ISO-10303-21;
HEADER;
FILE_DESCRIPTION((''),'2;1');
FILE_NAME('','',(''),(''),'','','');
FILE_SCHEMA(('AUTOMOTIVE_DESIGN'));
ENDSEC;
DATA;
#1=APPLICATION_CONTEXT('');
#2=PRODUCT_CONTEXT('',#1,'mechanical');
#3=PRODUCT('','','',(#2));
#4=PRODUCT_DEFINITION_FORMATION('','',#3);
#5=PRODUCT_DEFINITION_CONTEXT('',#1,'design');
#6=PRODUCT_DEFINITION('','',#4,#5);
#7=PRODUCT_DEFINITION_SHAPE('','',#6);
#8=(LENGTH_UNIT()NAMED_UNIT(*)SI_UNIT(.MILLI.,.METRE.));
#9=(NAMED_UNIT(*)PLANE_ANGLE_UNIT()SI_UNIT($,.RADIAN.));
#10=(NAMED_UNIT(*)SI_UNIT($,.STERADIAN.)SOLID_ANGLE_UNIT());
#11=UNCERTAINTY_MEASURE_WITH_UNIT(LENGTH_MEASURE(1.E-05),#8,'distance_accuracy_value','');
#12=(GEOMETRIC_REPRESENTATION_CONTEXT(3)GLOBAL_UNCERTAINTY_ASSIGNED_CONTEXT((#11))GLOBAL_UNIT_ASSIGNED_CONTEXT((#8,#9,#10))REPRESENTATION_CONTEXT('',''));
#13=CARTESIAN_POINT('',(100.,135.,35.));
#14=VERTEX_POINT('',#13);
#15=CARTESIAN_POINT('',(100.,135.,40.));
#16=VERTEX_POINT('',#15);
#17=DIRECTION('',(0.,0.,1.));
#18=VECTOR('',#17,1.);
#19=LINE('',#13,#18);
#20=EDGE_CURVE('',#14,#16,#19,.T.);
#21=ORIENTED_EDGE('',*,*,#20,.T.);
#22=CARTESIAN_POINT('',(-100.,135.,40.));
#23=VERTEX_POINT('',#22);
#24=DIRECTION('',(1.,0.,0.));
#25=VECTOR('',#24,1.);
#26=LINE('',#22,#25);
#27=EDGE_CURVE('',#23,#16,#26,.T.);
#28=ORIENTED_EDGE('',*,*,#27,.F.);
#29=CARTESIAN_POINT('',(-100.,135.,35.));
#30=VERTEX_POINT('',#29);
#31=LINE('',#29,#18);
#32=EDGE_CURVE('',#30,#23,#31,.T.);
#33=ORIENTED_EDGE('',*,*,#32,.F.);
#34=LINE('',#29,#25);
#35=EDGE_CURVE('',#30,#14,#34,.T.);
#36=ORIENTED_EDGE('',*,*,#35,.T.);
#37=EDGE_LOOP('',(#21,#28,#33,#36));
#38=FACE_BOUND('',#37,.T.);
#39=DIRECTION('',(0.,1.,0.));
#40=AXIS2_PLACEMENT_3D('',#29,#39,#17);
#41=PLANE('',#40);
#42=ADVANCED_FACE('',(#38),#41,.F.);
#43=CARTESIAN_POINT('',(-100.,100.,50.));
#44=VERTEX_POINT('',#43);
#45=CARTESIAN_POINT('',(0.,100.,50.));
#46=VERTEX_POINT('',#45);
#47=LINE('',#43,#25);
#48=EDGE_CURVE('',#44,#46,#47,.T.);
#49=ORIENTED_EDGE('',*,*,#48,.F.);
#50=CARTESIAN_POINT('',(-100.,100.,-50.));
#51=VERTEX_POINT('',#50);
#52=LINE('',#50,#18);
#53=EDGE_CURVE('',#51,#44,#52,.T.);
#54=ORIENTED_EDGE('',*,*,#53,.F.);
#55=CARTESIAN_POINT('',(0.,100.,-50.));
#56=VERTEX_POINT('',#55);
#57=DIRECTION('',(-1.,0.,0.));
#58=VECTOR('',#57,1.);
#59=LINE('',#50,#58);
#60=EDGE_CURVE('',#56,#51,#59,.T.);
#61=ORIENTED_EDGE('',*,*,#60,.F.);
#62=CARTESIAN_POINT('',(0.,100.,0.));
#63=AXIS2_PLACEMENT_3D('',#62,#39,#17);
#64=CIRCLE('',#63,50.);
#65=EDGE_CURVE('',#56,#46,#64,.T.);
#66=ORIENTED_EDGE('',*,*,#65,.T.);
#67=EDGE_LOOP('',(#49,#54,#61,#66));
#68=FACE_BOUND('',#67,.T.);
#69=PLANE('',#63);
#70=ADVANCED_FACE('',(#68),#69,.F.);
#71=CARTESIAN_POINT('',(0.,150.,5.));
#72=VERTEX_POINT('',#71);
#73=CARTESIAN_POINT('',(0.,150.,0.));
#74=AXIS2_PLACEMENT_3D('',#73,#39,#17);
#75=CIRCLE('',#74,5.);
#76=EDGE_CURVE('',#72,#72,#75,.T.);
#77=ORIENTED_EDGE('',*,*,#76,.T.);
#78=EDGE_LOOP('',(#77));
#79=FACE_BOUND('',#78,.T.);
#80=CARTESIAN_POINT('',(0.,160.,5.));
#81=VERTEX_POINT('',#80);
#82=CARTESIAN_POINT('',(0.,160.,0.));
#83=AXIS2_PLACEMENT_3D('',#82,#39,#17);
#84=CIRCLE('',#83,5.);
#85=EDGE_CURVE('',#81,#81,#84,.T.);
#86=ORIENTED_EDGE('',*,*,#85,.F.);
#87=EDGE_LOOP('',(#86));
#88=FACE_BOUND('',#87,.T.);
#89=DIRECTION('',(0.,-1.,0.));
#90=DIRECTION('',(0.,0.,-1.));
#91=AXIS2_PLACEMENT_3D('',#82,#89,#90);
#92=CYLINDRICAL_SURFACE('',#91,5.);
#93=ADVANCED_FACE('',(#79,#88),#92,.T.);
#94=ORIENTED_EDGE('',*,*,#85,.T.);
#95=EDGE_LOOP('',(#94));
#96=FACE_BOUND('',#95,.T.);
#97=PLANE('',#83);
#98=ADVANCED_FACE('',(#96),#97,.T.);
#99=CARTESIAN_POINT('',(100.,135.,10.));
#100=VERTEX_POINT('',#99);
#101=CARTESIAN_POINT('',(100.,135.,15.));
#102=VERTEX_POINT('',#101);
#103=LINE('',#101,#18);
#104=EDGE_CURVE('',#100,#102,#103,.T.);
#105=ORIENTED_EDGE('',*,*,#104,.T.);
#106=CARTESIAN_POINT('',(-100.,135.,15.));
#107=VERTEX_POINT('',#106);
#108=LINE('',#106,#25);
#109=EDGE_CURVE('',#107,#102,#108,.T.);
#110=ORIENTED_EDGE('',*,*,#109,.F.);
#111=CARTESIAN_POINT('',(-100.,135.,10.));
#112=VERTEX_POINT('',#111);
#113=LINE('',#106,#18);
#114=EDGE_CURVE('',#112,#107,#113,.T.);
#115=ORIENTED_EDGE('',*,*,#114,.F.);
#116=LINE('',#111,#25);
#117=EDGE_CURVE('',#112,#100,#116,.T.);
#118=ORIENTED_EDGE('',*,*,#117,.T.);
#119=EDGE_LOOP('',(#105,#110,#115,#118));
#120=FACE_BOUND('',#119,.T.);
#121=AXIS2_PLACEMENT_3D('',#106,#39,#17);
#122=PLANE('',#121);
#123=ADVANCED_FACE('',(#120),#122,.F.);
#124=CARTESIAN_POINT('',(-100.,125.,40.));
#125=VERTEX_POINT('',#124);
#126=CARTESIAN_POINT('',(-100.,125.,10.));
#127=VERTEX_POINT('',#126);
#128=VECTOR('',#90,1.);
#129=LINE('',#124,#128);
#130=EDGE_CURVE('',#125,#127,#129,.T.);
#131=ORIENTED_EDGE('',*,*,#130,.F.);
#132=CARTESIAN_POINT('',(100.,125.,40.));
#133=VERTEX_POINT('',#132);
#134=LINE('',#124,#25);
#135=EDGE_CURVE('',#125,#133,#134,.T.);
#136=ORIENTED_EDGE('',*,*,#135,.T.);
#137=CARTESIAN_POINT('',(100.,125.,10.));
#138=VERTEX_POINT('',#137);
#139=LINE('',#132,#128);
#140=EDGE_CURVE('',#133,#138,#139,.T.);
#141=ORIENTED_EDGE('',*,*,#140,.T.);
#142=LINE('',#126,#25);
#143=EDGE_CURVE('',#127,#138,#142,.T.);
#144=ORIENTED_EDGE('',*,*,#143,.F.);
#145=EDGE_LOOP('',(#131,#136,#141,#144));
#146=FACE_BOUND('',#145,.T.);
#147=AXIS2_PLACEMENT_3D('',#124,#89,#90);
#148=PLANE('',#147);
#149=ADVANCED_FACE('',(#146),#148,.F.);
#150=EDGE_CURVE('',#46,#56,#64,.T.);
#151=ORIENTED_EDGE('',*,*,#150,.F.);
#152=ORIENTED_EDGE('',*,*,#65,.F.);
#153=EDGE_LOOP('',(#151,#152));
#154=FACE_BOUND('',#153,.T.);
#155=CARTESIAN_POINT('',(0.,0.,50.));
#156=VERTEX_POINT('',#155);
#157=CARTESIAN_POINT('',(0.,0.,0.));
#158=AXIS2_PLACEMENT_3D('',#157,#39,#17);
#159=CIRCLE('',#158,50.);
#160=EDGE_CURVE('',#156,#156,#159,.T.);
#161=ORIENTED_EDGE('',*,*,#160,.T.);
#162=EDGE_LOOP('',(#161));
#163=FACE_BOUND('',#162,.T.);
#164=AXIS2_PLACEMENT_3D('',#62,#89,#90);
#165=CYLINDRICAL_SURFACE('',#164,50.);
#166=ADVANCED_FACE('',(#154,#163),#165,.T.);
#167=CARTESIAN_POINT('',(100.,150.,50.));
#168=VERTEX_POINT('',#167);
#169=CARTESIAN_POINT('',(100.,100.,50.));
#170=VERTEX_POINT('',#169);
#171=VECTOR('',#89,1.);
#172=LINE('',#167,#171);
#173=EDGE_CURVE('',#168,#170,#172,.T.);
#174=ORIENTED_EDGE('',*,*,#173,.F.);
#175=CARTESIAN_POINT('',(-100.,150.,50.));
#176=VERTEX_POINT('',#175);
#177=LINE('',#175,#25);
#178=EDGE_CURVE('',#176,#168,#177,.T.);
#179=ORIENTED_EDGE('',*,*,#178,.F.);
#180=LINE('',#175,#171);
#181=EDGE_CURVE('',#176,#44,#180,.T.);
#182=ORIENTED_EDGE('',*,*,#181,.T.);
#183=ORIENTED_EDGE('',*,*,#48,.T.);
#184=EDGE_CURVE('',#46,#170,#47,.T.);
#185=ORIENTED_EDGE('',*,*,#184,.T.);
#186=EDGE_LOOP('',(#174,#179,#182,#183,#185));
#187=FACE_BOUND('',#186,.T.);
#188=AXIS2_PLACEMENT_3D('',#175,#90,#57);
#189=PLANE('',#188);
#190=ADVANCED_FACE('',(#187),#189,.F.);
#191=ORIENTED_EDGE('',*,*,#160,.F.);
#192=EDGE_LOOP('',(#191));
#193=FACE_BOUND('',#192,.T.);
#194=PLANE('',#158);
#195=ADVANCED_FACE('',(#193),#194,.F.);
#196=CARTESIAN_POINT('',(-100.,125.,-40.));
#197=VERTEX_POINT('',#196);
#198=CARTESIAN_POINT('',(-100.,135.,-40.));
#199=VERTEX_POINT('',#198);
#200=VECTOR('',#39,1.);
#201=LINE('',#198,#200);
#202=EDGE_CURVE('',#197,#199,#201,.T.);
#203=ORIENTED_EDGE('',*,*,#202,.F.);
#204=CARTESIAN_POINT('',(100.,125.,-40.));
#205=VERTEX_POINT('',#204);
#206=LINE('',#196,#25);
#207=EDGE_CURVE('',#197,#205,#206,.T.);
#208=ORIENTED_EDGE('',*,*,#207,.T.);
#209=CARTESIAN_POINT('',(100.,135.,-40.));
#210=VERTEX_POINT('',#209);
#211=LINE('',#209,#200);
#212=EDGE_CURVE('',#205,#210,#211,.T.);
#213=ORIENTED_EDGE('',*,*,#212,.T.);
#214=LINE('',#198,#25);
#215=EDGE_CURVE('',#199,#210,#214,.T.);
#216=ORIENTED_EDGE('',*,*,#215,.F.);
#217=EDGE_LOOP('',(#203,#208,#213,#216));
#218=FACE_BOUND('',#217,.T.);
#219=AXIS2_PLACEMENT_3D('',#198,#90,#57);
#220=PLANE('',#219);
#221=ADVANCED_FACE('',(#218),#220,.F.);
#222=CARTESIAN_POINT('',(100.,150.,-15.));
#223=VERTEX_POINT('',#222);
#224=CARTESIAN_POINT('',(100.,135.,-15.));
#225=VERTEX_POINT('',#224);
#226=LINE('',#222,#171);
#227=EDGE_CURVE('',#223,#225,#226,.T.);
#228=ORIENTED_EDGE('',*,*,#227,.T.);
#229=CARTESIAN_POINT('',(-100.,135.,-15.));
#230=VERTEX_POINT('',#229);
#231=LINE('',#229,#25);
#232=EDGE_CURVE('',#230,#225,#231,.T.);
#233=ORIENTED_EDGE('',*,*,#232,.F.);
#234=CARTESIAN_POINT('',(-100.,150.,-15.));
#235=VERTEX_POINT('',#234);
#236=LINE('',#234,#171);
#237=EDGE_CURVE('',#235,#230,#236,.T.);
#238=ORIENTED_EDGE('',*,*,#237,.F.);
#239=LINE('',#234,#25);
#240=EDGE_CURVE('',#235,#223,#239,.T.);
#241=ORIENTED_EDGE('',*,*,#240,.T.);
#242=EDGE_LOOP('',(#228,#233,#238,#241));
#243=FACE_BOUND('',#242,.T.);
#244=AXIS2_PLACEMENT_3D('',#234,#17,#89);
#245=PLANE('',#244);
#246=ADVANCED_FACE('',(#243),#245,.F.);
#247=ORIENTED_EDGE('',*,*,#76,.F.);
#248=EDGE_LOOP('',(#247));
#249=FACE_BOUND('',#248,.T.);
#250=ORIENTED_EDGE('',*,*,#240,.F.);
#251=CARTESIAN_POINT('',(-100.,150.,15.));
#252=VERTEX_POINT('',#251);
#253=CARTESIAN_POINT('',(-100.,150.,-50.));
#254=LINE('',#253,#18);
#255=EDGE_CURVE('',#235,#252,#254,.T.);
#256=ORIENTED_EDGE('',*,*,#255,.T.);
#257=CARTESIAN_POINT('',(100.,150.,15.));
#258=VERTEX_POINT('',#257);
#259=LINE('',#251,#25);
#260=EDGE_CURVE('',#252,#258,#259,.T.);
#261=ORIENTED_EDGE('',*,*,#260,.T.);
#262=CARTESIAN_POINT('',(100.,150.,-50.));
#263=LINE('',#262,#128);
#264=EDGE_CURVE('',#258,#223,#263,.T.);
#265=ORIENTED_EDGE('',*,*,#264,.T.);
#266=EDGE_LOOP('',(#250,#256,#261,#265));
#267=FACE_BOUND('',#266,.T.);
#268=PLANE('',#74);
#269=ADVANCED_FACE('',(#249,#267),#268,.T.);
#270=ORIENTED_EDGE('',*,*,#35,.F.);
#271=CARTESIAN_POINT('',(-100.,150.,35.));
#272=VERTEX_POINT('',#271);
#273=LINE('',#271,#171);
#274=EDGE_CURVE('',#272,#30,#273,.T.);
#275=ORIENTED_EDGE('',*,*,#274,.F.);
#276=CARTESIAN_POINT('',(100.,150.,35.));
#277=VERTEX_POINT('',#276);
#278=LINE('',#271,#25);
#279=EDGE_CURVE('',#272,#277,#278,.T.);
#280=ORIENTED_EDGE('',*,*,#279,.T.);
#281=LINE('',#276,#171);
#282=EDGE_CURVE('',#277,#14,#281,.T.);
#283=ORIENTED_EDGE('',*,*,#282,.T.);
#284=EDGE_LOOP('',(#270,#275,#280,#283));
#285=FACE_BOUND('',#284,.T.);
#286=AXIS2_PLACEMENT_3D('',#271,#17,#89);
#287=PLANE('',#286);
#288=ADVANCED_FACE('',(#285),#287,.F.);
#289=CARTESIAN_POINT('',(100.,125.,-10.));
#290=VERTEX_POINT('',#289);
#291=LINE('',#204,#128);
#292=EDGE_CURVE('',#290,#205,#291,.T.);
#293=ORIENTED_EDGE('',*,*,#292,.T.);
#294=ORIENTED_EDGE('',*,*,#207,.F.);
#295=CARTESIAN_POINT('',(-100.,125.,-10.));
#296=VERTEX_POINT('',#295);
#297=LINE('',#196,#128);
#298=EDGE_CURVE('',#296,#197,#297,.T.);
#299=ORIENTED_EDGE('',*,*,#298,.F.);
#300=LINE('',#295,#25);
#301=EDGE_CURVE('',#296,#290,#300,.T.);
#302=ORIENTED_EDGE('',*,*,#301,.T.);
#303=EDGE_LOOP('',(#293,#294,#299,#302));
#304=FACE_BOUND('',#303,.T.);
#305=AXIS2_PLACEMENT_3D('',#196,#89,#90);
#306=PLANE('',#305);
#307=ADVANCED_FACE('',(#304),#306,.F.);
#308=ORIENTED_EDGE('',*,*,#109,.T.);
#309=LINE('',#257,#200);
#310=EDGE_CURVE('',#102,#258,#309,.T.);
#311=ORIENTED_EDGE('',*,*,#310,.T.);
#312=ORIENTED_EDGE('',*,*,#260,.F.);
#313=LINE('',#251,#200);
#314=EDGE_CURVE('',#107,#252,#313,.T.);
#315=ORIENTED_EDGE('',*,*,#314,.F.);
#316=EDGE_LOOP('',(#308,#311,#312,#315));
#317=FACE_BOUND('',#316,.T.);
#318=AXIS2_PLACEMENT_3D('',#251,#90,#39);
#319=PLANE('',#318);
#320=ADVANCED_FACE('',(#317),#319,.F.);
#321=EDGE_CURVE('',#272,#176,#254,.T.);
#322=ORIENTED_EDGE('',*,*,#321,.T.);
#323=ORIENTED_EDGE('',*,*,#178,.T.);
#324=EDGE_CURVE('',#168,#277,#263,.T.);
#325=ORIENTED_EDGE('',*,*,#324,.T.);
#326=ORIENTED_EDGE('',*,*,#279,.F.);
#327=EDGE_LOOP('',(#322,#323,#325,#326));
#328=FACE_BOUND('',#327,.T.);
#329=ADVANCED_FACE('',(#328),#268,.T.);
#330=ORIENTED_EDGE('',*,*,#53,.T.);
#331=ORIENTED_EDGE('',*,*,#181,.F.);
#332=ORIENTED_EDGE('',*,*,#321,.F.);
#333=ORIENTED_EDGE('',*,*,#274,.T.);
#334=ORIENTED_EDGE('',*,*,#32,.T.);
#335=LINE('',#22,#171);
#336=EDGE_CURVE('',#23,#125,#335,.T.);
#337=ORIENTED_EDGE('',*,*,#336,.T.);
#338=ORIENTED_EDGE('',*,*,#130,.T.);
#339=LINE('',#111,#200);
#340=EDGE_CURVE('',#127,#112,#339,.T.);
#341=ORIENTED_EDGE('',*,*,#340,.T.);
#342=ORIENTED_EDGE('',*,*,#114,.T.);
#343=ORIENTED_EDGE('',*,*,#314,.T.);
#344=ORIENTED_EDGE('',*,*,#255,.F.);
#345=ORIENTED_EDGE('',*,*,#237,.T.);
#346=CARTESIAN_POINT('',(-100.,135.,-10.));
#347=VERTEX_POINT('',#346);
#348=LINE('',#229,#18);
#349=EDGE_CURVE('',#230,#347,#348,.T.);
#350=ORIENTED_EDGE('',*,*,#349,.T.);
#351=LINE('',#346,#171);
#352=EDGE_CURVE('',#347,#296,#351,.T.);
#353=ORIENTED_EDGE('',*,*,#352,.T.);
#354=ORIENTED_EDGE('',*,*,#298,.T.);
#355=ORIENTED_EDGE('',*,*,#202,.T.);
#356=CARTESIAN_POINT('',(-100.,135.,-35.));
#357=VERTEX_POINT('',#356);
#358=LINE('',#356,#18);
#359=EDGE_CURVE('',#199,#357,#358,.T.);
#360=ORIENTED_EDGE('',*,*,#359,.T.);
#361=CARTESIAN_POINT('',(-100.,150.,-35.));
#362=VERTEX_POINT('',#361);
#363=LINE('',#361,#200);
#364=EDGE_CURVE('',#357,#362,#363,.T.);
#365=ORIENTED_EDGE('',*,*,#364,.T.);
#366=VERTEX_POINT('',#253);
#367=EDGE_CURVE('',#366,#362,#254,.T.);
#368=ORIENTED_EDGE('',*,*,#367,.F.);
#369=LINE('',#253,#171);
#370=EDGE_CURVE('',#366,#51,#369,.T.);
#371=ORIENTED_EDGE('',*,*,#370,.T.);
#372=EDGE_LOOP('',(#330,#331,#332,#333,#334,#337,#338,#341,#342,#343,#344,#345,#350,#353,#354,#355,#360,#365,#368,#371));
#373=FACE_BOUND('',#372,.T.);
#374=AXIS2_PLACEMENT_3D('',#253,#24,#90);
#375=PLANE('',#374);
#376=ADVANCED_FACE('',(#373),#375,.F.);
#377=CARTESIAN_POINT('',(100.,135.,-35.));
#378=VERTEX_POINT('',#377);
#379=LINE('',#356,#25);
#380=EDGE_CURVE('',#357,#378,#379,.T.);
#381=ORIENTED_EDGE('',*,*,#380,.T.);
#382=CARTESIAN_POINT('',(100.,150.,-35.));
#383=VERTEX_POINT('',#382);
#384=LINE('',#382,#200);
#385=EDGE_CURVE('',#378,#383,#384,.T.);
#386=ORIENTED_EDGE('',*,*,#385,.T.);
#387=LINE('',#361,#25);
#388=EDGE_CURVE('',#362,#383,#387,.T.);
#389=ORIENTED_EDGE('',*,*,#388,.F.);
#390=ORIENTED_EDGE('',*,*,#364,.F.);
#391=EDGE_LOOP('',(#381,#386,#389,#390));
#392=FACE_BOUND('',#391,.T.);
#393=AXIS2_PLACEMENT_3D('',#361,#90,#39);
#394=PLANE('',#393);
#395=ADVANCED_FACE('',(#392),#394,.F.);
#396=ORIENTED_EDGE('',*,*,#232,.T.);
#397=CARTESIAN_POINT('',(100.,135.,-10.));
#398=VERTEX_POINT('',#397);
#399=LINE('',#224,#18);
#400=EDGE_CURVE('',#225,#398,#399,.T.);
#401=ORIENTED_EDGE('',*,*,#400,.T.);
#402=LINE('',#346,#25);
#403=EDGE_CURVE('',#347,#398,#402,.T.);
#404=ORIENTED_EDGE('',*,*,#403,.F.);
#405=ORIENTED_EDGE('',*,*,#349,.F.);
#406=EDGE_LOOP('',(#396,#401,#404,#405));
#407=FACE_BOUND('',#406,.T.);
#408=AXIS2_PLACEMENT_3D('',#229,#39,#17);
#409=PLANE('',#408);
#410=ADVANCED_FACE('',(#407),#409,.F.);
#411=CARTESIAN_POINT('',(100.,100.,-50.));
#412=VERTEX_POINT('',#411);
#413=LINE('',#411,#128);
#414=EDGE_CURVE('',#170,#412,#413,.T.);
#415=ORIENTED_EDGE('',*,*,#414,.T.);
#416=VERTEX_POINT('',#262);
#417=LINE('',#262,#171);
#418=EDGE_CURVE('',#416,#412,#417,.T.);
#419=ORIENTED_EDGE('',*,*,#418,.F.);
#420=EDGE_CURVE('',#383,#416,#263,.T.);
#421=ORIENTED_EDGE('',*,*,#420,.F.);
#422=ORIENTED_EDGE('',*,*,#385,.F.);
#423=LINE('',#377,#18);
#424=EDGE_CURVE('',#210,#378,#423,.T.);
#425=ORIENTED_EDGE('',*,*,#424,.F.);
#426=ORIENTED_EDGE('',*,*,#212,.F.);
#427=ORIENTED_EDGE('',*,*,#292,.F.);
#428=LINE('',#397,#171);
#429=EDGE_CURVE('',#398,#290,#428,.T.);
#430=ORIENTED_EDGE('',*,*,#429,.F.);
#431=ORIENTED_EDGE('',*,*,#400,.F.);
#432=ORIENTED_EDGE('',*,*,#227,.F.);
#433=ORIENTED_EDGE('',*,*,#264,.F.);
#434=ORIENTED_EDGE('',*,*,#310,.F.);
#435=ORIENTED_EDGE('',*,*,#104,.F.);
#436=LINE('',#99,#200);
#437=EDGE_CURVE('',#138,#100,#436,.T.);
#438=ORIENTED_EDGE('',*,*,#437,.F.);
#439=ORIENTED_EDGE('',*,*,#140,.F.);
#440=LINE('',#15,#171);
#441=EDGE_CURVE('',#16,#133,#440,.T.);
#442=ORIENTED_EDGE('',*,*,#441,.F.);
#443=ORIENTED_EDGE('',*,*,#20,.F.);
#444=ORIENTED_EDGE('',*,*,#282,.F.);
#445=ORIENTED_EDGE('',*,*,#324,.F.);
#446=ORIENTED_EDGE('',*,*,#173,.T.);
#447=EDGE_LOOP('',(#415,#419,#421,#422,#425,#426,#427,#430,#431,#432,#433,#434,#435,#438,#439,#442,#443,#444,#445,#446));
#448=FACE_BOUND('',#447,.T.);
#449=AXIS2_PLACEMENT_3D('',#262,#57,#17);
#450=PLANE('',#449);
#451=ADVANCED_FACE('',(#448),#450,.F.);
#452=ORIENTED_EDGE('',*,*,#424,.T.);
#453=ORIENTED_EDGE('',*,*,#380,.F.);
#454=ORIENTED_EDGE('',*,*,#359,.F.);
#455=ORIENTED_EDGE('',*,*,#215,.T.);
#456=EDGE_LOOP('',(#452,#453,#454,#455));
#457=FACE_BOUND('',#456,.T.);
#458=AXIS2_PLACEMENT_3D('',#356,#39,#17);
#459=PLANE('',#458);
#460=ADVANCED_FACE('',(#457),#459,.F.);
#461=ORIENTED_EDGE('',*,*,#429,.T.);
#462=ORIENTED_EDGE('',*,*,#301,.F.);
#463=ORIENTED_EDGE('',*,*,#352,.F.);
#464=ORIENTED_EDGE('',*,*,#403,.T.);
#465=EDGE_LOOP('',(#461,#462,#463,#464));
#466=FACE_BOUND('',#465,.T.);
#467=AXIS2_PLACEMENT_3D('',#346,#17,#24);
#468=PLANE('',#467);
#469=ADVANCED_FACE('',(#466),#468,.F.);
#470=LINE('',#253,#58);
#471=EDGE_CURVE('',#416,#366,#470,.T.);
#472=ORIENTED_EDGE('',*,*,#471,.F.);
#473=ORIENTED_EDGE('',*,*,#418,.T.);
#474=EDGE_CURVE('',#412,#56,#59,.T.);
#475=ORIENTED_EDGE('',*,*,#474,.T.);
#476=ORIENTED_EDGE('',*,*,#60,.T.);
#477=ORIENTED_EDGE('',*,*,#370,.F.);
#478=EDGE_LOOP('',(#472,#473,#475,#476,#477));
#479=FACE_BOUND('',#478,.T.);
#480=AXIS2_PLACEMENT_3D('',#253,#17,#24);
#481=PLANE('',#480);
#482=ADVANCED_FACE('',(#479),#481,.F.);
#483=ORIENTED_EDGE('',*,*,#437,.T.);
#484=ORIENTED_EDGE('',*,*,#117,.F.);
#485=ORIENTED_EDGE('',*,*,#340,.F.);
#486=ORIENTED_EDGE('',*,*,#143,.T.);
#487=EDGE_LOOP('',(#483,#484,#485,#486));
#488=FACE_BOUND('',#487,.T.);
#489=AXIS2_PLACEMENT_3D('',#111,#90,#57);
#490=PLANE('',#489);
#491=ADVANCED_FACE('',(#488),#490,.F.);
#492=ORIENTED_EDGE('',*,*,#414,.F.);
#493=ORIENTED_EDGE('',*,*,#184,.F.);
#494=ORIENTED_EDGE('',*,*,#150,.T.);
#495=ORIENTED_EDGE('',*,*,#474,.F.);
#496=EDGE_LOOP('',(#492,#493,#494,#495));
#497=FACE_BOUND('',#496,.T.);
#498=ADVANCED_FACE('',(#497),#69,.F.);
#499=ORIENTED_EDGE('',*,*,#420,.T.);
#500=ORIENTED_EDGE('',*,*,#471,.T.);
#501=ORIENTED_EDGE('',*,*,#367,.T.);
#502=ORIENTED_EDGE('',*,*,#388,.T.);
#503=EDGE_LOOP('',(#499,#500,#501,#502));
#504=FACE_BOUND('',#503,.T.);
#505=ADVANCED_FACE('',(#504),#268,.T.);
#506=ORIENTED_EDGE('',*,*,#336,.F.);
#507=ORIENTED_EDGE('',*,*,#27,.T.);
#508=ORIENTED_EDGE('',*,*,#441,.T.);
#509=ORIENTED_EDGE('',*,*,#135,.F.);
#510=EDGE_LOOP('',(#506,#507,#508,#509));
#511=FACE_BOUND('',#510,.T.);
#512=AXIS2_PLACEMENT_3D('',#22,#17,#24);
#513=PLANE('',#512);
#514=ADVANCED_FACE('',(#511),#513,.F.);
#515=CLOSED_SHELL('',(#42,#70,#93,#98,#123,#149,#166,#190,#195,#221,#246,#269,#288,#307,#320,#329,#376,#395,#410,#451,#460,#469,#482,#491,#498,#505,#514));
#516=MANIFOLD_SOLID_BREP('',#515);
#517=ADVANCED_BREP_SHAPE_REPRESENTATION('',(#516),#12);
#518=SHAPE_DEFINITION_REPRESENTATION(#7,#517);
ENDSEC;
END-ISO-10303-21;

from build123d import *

# Parameters (mm, degrees)
SKETCH2_R           = 50
BOSS_EXTRUDE1_DEPTH = 100
SKETCH3_W           = 200
SKETCH3_H           = 100
BOSS_EXTRUDE2_DEPTH = 50
CUT_EXTRUDE1_DEPTH  = 255.95097568
SKETCH5_R           = 5
BOSS_EXTRUDE3_DEPTH = 10


with BuildPart() as part:
    # Sketch2 → Boss-Extrude1 (new body)
    with BuildSketch(Plane(origin=(0, 0, 0), x_dir=(1, 0, 0), z_dir=(0, 1, 0))):
        with Locations(Location((0, 0, 0), (0, 0, 270))):
            Circle(SKETCH2_R)
    extrude(amount=BOSS_EXTRUDE1_DEPTH)

    # Sketch3 → Boss-Extrude2 (add)
    with BuildSketch(Plane(origin=(0, 100, 0), x_dir=(1, 0, 0), z_dir=(0, 1, 0))):
        Rectangle(SKETCH3_W, SKETCH3_H)
    extrude(amount=BOSS_EXTRUDE2_DEPTH)

    # Sketch4 → Cut-Extrude1 (cut, through all)
    with BuildSketch(Plane(origin=(100, 0, 0), x_dir=(0, 0, -1), z_dir=(1, 0, 0))):
        Polygon((-35, 150), (-35, 135), (-40, 135), (-40, 125), (-10, 125), (-10, 135), (-15, 135), (-15, 150), align=None)
        Polygon((40, 135), (40, 125), (10, 125), (10, 135), (15, 135), (15, 150), (35, 150), (35, 135), align=None)
    extrude(amount=-CUT_EXTRUDE1_DEPTH, mode=Mode.SUBTRACT)

    # Sketch5 → Boss-Extrude3 (add)
    with BuildSketch(Plane(origin=(0, 150, 0), x_dir=(1, 0, 0), z_dir=(0, 1, 0))):
        with Locations(Location((0, 0, 0), (0, 0, 270))):
            Circle(SKETCH5_R)
    extrude(amount=BOSS_EXTRUDE3_DEPTH)


solid = part.part
